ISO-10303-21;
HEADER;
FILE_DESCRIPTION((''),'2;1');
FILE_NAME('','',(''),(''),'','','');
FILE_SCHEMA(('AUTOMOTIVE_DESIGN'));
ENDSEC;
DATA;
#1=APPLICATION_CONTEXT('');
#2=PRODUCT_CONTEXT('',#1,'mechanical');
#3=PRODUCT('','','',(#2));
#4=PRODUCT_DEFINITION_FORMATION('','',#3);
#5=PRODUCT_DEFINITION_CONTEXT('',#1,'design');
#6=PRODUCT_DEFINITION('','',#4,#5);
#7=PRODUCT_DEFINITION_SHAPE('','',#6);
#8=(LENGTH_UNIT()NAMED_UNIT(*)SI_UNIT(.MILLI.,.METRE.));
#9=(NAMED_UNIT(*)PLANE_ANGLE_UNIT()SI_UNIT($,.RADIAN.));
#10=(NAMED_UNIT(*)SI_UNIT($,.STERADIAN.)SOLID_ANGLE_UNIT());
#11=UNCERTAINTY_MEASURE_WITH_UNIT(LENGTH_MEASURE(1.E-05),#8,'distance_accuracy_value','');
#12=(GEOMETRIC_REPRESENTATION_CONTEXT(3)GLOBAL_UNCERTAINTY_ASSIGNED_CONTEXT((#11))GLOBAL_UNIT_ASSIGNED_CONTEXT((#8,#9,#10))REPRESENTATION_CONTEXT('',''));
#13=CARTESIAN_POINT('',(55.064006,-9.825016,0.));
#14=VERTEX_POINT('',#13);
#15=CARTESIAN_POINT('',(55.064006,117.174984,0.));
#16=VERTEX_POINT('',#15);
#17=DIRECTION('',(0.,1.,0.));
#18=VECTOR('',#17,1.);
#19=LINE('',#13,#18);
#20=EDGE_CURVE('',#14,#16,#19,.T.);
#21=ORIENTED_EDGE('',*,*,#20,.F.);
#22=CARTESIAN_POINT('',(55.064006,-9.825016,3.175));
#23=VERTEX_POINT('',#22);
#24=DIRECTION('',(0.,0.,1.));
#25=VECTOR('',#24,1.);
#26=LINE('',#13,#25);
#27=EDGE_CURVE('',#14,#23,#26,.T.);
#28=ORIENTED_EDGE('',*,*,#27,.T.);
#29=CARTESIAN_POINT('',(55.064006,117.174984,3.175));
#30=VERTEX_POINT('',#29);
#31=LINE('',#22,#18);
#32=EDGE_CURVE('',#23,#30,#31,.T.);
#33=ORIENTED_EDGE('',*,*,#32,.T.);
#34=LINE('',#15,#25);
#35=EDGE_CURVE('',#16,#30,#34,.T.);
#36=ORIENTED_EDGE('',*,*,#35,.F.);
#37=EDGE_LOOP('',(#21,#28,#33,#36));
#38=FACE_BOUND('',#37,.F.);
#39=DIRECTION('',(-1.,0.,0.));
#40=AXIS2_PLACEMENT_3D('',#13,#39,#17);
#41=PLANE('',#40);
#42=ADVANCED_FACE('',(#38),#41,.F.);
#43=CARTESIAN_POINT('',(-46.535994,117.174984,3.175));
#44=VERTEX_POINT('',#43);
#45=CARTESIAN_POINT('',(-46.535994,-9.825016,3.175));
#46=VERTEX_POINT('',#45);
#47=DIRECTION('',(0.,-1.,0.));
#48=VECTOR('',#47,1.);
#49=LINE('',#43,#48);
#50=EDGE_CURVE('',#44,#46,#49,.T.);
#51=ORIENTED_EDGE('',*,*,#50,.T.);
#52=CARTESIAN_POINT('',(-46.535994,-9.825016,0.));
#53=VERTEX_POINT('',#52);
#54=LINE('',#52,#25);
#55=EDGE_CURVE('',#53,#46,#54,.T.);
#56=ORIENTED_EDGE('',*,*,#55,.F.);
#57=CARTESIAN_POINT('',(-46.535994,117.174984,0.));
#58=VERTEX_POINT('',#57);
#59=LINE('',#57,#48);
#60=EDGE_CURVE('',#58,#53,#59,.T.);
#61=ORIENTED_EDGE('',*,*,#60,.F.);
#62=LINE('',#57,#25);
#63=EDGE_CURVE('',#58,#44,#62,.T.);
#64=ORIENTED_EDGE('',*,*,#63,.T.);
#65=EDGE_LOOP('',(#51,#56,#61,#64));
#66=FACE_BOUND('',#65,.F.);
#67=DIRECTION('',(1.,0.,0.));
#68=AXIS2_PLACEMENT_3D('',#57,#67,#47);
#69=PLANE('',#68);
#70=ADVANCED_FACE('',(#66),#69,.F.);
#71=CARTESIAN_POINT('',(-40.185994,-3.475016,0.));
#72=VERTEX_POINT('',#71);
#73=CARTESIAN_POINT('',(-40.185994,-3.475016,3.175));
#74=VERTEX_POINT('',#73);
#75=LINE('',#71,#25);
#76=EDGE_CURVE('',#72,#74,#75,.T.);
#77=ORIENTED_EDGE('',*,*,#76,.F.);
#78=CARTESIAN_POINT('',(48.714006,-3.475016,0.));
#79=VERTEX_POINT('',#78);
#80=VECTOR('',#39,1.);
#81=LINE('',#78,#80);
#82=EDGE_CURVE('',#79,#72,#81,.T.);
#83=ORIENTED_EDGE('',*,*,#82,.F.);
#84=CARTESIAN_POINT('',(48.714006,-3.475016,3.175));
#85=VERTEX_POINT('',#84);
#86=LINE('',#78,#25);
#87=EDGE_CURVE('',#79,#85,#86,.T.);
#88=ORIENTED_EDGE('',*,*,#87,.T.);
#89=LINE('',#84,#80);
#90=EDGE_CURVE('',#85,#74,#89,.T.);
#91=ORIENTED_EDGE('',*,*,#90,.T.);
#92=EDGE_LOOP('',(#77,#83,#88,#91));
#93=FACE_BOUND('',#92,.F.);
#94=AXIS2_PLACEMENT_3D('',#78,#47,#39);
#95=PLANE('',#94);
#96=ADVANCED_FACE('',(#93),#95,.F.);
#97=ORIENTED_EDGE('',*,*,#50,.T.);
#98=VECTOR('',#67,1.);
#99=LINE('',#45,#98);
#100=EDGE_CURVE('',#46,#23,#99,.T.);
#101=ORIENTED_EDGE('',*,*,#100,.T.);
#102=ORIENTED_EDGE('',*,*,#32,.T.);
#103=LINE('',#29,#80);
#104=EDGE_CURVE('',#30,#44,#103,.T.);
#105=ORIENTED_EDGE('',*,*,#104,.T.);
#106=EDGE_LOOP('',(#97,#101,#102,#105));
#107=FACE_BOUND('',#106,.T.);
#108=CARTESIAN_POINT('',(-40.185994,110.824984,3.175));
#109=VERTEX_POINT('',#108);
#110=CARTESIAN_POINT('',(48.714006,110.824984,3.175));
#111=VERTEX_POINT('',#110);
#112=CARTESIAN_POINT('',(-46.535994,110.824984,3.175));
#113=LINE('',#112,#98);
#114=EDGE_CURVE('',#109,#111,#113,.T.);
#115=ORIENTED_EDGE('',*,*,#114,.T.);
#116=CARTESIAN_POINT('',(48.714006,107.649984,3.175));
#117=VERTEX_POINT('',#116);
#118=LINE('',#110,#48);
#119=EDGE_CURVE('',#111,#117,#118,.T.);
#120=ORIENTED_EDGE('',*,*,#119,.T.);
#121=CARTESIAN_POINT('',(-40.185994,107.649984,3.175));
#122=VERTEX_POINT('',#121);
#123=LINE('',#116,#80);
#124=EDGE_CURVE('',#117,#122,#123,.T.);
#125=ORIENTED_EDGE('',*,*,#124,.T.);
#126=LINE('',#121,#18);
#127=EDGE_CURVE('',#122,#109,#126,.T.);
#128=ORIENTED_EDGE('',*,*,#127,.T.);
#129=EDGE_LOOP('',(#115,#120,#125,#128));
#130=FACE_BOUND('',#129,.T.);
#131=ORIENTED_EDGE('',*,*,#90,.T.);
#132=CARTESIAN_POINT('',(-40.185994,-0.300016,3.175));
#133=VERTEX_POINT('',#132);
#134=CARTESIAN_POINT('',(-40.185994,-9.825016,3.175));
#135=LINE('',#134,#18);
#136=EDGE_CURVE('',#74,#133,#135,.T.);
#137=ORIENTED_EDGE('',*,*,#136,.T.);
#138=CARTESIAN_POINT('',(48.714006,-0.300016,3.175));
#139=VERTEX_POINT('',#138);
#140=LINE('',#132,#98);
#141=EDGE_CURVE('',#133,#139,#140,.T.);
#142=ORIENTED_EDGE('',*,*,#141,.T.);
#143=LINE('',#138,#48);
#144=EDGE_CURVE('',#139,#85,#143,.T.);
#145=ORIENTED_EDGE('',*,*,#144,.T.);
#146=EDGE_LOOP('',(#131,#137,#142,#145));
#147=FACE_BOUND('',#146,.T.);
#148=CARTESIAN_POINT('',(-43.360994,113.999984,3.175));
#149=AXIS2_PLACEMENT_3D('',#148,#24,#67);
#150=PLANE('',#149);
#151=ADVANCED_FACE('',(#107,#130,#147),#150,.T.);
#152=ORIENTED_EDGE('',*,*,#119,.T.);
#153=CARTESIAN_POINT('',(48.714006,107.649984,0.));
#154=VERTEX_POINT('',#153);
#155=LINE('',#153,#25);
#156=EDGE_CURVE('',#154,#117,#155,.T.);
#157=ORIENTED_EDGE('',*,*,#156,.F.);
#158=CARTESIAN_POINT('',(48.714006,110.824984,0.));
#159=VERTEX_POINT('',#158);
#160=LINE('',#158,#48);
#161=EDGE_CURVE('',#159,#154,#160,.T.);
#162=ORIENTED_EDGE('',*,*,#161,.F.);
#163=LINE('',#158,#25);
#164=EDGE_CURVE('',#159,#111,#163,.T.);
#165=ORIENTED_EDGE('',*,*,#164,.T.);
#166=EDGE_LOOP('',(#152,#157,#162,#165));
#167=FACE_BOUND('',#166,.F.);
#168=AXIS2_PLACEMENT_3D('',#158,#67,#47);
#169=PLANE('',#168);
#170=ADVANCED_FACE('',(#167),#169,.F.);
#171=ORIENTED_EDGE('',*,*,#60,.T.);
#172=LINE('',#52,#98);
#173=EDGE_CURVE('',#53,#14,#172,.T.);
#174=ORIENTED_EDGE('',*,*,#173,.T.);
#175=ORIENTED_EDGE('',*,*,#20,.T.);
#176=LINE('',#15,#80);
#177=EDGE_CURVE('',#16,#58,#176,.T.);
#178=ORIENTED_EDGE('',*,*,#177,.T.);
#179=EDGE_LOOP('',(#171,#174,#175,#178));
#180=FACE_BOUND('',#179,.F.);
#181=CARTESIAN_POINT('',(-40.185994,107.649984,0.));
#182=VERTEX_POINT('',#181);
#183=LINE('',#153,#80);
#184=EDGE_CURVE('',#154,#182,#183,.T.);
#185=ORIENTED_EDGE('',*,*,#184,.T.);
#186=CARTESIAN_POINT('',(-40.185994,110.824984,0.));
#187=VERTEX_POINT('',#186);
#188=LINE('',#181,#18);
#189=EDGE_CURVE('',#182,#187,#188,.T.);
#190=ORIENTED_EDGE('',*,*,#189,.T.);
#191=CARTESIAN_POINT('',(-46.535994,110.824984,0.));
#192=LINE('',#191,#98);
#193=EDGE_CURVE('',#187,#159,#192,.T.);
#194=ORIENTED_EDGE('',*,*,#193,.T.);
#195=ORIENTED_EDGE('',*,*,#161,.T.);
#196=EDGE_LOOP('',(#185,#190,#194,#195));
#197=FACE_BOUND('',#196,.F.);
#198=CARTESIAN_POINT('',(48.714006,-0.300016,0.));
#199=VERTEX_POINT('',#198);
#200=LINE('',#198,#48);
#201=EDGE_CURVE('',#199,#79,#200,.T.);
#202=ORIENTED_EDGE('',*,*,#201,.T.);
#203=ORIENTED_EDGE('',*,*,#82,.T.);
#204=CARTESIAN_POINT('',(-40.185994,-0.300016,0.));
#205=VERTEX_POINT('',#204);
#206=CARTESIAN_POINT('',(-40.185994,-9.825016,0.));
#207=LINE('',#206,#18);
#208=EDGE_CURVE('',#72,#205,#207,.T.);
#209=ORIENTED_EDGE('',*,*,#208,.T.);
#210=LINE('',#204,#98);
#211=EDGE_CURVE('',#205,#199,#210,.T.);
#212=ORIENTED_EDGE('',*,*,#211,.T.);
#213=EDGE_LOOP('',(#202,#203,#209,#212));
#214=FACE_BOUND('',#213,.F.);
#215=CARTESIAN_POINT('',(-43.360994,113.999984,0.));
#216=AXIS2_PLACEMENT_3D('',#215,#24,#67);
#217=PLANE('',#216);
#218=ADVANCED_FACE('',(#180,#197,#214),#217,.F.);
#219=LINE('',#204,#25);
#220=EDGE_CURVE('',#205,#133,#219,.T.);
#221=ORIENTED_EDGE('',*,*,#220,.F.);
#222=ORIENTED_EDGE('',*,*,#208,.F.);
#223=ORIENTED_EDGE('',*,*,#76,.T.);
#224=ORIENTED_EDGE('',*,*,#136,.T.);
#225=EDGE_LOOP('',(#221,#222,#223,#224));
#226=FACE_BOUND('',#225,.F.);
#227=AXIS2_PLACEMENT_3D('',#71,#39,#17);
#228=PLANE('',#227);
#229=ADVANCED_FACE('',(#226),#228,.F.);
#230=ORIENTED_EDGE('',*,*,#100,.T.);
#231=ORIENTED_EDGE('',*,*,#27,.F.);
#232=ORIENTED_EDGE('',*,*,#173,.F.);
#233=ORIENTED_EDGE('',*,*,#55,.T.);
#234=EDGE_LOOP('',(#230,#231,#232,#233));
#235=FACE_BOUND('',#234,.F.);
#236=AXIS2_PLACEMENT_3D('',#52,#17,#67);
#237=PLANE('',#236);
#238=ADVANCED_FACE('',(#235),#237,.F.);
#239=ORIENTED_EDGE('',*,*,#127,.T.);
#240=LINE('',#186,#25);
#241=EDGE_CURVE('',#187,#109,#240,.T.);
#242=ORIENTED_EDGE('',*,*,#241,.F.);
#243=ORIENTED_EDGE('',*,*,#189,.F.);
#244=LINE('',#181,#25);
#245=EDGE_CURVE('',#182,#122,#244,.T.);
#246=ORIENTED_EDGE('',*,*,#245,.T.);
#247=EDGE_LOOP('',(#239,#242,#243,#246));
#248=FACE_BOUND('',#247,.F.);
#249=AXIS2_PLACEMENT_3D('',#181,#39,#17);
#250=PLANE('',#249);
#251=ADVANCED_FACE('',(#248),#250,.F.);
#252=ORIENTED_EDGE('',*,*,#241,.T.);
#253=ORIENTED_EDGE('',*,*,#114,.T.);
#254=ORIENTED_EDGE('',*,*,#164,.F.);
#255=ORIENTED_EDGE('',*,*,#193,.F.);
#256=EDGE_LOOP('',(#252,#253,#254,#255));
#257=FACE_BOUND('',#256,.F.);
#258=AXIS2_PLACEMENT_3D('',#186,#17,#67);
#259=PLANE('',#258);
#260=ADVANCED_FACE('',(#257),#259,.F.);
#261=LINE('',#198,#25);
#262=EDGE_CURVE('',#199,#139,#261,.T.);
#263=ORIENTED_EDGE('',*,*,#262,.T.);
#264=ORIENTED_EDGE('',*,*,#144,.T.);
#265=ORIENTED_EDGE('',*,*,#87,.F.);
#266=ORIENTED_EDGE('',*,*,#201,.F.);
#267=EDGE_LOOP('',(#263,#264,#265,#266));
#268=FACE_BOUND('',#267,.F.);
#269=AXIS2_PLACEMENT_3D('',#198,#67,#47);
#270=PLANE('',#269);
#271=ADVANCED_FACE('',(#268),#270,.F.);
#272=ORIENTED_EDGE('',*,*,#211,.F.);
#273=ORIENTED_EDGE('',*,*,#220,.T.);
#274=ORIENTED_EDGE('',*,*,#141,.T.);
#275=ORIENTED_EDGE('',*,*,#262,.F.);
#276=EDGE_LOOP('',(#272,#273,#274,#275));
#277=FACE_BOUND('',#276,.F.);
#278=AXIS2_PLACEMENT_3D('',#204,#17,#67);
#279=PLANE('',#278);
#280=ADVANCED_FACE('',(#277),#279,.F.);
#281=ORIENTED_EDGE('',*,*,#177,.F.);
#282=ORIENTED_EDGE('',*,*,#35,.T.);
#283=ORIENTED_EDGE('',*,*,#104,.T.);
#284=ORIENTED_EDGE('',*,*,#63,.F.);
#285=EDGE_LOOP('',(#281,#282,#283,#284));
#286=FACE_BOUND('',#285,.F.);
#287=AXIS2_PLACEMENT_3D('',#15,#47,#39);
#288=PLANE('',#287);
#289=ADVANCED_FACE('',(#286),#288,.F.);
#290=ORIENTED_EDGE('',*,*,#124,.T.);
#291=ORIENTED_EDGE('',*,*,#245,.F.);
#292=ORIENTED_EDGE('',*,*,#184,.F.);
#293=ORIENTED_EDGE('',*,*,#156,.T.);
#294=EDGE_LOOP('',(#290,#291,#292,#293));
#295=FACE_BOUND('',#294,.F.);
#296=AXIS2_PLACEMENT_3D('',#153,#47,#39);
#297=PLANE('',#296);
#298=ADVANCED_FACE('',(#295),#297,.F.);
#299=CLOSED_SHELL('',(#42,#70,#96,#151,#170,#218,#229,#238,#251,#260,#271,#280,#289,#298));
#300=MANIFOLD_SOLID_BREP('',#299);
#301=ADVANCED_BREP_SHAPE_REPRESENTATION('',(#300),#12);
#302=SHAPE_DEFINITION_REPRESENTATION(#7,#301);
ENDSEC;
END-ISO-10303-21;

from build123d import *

# Parameters (mm, degrees)
F0_W     = 6.35
F0_H     = 6.35
F0_W_2   = 88.9
F1_DEPTH = 3.175


with BuildPart() as f1:
    # F0 (on Top) → F1 (new body)
    with BuildSketch(Plane.XY):
        with Locations((-43.360994, 113.999984)):
            Rectangle(F0_W, F0_H)
        with Locations((4.264006, 113.999984)):
            Rectangle(F0_W_2, F0_H)
        Polygon((-40.185994, 110.824984), (-46.535994, 110.824984), (-46.535994, -3.475016), (-40.185994, -3.475016), (-40.185994, -0.300016), (48.714006, -0.300016), (48.714006, -3.475016), (55.064006, -3.475016), (55.064006, 110.824984), (48.714006, 110.824984), (48.714006, 107.649984), (-40.185994, 107.649984), align=None)
        with Locations((51.889006, 113.999984)):
            Rectangle(F0_W, F0_H)
        with Locations((-43.360994, -6.650016)):
            Rectangle(F0_W, F0_H)
        Polygon((48.714006, -3.475016), (-40.185994, -3.475016), (-40.185994, -9.825016), (4.264006, -9.825016), (48.714006, -9.825016), align=None)
        with Locations((51.889006, -6.650016)):
            Rectangle(F0_W, F0_H)
    extrude(amount=F1_DEPTH)


solid = f1.part
